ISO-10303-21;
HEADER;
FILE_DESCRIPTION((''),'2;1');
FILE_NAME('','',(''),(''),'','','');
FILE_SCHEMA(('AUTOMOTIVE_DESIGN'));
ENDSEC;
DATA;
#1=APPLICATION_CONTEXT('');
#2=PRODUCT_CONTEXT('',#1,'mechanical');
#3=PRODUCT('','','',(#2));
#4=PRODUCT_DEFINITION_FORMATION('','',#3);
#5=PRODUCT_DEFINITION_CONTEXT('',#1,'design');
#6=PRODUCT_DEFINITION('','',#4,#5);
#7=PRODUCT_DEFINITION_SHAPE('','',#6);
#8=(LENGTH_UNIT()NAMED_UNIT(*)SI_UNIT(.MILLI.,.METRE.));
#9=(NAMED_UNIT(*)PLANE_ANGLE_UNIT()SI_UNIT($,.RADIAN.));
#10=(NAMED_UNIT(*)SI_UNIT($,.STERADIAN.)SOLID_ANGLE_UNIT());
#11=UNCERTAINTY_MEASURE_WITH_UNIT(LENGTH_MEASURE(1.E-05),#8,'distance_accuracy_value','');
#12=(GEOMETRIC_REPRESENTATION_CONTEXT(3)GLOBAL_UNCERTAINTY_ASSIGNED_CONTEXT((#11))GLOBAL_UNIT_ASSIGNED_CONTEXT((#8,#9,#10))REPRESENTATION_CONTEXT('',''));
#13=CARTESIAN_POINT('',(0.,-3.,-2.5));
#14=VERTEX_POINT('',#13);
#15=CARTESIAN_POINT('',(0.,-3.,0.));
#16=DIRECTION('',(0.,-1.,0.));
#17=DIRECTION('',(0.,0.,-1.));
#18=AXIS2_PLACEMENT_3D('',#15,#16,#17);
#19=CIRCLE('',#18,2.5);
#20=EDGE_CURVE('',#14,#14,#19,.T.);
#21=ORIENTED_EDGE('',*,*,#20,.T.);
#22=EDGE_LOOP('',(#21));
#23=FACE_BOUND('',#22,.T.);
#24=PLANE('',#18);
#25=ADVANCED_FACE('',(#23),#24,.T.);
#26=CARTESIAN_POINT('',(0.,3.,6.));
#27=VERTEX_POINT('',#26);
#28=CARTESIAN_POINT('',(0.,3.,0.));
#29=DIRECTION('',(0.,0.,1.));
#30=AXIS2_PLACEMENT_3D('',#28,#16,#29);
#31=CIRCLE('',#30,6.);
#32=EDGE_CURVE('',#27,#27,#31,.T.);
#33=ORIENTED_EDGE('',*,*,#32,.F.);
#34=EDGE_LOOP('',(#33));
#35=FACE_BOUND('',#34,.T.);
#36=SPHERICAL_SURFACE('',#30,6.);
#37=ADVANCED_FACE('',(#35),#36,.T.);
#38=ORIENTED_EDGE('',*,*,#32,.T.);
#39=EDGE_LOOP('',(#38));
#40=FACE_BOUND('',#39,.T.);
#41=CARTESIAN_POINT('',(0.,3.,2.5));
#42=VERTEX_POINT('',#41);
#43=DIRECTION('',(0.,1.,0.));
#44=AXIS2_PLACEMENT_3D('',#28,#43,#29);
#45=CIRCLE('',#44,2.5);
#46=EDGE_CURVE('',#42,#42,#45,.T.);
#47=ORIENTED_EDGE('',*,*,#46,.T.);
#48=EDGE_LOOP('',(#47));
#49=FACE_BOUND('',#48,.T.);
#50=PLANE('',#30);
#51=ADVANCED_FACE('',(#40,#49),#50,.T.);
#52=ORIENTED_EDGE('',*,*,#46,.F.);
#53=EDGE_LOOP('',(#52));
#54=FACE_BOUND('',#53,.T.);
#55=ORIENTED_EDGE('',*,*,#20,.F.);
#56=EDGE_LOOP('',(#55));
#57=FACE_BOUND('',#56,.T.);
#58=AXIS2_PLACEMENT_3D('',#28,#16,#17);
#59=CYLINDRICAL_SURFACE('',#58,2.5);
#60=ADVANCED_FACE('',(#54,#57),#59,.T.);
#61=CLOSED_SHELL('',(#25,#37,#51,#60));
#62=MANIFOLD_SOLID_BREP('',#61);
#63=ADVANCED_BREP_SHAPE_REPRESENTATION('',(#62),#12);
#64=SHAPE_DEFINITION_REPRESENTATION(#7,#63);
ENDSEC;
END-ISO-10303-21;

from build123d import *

# Parameters (mm, degrees)
SKETCH1_R           = 2.5
BOSS_EXTRUDE1_DEPTH = 3
REVOLVE1_ANGLE      = 180
SKETCH3_R           = 2.5
BOSS_EXTRUDE2_DEPTH = 3


with BuildPart() as part:
    # Sketch1 → Boss-Extrude1 (new body)
    with BuildSketch(Plane(origin=(0, 0, 0), x_dir=(1, 0, 0), z_dir=(0, 1, 0))):
        Circle(SKETCH1_R)
    extrude(amount=BOSS_EXTRUDE1_DEPTH)

    # Sketch2 → Revolve1 (revolve)
    with BuildSketch(Plane(origin=(0, 3, 0), x_dir=(1, 0, 0), z_dir=(0, 1, 0))):
        with BuildLine():
            Line((0, -6), (0, 6))
            ThreePointArc((0, 6), (6, 0), (0, -6))
        make_face()
    revolve(axis=Axis((0, 3, 6), (0, 0, 1)), revolution_arc=REVOLVE1_ANGLE)

    # Sketch3 → Boss-Extrude2 (add)
    with BuildSketch(Plane.XZ):
        Circle(SKETCH3_R)
    extrude(amount=BOSS_EXTRUDE2_DEPTH)


solid = part.part
